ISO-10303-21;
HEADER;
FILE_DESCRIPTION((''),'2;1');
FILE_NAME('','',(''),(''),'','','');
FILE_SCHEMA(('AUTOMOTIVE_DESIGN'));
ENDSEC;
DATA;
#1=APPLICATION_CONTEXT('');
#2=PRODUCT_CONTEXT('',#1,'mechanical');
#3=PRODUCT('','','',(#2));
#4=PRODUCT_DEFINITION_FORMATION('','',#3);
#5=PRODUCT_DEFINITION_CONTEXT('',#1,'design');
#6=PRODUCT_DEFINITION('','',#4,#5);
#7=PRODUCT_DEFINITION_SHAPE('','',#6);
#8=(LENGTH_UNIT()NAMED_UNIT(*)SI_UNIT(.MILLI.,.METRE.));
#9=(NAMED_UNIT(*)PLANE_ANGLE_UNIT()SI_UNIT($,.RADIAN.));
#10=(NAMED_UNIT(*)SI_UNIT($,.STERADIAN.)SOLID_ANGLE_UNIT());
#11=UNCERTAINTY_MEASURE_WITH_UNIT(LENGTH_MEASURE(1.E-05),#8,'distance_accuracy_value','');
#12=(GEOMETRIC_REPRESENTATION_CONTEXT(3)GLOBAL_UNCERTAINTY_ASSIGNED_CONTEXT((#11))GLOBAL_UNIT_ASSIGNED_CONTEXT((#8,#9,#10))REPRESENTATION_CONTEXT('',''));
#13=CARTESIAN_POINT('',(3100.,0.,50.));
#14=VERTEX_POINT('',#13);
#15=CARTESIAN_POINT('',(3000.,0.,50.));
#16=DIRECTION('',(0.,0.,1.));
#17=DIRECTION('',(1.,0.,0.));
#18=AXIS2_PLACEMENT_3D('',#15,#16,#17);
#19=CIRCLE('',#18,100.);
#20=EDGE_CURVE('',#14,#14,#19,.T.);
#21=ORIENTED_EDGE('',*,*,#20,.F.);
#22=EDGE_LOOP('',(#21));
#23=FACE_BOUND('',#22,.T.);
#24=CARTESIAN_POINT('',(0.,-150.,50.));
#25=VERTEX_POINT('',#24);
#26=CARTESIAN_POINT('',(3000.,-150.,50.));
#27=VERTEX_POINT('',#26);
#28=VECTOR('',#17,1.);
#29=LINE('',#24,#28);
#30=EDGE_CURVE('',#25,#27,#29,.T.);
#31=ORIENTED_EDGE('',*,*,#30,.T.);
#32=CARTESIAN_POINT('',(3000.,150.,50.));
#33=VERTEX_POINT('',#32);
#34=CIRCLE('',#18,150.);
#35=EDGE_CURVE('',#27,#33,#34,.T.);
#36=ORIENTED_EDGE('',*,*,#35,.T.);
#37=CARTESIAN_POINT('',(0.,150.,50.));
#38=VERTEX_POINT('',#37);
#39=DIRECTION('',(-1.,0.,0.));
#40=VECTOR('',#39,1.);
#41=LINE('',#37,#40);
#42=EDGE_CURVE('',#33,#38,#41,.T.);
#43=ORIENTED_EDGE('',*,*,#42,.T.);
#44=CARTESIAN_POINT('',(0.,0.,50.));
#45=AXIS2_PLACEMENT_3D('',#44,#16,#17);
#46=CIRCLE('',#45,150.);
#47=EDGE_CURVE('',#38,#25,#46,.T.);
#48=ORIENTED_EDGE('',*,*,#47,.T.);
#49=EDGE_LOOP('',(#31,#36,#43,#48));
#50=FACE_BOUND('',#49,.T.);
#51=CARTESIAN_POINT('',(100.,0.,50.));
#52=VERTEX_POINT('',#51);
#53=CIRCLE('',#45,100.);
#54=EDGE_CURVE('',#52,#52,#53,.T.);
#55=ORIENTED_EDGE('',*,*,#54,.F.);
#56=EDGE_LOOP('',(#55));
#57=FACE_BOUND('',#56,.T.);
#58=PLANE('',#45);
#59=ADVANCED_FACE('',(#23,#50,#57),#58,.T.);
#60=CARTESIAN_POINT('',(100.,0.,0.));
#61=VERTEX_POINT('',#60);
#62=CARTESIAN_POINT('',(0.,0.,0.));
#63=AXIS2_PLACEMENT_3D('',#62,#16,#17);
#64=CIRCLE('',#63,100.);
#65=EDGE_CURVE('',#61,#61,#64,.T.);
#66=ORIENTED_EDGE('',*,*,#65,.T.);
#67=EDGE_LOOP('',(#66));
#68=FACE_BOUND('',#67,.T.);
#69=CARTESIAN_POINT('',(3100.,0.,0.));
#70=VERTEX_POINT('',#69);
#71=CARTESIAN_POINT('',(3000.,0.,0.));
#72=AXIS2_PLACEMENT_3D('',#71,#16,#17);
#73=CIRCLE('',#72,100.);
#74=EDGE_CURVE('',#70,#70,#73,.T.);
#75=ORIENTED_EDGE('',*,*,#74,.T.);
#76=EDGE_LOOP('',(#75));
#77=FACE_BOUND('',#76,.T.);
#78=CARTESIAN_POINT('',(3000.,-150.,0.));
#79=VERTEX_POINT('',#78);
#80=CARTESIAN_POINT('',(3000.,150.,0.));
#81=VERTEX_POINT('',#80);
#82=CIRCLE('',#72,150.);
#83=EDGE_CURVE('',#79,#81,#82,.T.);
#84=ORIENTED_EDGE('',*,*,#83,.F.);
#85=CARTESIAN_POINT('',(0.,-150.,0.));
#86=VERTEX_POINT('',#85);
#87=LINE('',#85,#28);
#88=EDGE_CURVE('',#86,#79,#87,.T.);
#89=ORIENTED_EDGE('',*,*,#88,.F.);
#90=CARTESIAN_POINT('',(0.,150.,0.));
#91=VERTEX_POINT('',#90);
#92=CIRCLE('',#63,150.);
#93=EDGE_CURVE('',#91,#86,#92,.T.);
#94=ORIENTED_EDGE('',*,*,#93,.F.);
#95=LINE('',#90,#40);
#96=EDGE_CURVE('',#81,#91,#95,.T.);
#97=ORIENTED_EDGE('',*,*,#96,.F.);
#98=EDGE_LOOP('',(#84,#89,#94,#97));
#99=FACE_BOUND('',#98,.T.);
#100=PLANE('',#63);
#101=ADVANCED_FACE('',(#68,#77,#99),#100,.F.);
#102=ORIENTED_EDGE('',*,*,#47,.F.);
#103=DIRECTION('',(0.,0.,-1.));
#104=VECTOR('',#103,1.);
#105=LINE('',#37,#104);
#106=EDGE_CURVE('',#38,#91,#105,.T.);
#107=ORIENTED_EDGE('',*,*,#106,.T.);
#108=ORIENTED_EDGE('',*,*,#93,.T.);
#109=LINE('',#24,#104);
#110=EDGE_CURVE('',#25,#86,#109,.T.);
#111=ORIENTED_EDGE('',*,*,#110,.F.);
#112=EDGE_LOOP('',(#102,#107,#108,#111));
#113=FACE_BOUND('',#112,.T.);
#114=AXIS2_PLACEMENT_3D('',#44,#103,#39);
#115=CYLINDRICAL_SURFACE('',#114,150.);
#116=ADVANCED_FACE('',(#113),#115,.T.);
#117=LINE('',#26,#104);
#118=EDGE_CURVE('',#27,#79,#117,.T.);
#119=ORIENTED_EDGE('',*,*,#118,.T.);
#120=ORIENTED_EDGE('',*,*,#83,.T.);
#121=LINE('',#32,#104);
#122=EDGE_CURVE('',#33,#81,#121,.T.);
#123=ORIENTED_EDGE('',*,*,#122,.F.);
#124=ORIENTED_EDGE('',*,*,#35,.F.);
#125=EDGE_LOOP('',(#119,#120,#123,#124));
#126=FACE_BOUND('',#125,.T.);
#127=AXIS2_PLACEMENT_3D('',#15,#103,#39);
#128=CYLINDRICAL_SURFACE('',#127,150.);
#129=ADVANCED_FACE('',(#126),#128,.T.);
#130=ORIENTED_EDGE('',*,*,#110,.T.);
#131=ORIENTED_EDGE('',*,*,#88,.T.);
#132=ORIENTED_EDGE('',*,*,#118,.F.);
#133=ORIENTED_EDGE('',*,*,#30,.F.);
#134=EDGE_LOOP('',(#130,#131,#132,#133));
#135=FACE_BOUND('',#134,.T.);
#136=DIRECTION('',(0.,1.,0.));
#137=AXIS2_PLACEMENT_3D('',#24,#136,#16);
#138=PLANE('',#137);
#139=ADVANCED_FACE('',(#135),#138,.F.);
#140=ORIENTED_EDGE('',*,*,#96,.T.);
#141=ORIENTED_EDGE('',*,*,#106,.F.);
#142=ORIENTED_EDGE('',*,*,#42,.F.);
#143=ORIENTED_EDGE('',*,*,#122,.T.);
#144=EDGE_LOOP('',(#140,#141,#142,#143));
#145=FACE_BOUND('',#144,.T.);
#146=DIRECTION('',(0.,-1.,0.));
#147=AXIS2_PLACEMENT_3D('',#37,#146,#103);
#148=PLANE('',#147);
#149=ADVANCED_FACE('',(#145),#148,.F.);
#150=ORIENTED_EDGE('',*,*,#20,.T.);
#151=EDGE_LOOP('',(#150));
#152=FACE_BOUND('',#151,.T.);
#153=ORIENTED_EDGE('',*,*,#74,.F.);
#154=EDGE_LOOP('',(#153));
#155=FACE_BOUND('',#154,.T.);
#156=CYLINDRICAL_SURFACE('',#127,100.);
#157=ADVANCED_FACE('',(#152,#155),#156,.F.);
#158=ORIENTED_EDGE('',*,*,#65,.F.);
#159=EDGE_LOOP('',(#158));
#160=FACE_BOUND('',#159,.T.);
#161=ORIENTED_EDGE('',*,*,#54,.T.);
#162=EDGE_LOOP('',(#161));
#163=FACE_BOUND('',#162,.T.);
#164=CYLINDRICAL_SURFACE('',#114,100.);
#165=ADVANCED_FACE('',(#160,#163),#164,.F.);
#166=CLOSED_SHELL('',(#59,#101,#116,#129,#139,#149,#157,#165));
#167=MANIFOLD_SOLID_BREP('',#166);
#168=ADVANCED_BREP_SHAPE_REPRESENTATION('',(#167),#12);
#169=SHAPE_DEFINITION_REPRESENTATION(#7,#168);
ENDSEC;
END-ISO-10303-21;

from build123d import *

# Parameters (mm, degrees)
SKETCH1_R           = 100
BOSS_EXTRUDE1_DEPTH = 50


with BuildPart() as part:
    # Sketch1 → Boss-Extrude1 (new body)
    with BuildSketch(Plane.XY):
        with BuildLine():
            Line((0, 150), (3000, 150))
            ThreePointArc((3000, 150), (3150, 0), (3000, -150))
            Line((3000, -150), (0, -150))
            ThreePointArc((0, -150), (-150, 0), (0, 150))
        make_face()
        Circle(SKETCH1_R, mode=Mode.SUBTRACT)
        with Locations((3000, 0)):
            Circle(SKETCH1_R, mode=Mode.SUBTRACT)
    extrude(amount=BOSS_EXTRUDE1_DEPTH)


solid = part.part
